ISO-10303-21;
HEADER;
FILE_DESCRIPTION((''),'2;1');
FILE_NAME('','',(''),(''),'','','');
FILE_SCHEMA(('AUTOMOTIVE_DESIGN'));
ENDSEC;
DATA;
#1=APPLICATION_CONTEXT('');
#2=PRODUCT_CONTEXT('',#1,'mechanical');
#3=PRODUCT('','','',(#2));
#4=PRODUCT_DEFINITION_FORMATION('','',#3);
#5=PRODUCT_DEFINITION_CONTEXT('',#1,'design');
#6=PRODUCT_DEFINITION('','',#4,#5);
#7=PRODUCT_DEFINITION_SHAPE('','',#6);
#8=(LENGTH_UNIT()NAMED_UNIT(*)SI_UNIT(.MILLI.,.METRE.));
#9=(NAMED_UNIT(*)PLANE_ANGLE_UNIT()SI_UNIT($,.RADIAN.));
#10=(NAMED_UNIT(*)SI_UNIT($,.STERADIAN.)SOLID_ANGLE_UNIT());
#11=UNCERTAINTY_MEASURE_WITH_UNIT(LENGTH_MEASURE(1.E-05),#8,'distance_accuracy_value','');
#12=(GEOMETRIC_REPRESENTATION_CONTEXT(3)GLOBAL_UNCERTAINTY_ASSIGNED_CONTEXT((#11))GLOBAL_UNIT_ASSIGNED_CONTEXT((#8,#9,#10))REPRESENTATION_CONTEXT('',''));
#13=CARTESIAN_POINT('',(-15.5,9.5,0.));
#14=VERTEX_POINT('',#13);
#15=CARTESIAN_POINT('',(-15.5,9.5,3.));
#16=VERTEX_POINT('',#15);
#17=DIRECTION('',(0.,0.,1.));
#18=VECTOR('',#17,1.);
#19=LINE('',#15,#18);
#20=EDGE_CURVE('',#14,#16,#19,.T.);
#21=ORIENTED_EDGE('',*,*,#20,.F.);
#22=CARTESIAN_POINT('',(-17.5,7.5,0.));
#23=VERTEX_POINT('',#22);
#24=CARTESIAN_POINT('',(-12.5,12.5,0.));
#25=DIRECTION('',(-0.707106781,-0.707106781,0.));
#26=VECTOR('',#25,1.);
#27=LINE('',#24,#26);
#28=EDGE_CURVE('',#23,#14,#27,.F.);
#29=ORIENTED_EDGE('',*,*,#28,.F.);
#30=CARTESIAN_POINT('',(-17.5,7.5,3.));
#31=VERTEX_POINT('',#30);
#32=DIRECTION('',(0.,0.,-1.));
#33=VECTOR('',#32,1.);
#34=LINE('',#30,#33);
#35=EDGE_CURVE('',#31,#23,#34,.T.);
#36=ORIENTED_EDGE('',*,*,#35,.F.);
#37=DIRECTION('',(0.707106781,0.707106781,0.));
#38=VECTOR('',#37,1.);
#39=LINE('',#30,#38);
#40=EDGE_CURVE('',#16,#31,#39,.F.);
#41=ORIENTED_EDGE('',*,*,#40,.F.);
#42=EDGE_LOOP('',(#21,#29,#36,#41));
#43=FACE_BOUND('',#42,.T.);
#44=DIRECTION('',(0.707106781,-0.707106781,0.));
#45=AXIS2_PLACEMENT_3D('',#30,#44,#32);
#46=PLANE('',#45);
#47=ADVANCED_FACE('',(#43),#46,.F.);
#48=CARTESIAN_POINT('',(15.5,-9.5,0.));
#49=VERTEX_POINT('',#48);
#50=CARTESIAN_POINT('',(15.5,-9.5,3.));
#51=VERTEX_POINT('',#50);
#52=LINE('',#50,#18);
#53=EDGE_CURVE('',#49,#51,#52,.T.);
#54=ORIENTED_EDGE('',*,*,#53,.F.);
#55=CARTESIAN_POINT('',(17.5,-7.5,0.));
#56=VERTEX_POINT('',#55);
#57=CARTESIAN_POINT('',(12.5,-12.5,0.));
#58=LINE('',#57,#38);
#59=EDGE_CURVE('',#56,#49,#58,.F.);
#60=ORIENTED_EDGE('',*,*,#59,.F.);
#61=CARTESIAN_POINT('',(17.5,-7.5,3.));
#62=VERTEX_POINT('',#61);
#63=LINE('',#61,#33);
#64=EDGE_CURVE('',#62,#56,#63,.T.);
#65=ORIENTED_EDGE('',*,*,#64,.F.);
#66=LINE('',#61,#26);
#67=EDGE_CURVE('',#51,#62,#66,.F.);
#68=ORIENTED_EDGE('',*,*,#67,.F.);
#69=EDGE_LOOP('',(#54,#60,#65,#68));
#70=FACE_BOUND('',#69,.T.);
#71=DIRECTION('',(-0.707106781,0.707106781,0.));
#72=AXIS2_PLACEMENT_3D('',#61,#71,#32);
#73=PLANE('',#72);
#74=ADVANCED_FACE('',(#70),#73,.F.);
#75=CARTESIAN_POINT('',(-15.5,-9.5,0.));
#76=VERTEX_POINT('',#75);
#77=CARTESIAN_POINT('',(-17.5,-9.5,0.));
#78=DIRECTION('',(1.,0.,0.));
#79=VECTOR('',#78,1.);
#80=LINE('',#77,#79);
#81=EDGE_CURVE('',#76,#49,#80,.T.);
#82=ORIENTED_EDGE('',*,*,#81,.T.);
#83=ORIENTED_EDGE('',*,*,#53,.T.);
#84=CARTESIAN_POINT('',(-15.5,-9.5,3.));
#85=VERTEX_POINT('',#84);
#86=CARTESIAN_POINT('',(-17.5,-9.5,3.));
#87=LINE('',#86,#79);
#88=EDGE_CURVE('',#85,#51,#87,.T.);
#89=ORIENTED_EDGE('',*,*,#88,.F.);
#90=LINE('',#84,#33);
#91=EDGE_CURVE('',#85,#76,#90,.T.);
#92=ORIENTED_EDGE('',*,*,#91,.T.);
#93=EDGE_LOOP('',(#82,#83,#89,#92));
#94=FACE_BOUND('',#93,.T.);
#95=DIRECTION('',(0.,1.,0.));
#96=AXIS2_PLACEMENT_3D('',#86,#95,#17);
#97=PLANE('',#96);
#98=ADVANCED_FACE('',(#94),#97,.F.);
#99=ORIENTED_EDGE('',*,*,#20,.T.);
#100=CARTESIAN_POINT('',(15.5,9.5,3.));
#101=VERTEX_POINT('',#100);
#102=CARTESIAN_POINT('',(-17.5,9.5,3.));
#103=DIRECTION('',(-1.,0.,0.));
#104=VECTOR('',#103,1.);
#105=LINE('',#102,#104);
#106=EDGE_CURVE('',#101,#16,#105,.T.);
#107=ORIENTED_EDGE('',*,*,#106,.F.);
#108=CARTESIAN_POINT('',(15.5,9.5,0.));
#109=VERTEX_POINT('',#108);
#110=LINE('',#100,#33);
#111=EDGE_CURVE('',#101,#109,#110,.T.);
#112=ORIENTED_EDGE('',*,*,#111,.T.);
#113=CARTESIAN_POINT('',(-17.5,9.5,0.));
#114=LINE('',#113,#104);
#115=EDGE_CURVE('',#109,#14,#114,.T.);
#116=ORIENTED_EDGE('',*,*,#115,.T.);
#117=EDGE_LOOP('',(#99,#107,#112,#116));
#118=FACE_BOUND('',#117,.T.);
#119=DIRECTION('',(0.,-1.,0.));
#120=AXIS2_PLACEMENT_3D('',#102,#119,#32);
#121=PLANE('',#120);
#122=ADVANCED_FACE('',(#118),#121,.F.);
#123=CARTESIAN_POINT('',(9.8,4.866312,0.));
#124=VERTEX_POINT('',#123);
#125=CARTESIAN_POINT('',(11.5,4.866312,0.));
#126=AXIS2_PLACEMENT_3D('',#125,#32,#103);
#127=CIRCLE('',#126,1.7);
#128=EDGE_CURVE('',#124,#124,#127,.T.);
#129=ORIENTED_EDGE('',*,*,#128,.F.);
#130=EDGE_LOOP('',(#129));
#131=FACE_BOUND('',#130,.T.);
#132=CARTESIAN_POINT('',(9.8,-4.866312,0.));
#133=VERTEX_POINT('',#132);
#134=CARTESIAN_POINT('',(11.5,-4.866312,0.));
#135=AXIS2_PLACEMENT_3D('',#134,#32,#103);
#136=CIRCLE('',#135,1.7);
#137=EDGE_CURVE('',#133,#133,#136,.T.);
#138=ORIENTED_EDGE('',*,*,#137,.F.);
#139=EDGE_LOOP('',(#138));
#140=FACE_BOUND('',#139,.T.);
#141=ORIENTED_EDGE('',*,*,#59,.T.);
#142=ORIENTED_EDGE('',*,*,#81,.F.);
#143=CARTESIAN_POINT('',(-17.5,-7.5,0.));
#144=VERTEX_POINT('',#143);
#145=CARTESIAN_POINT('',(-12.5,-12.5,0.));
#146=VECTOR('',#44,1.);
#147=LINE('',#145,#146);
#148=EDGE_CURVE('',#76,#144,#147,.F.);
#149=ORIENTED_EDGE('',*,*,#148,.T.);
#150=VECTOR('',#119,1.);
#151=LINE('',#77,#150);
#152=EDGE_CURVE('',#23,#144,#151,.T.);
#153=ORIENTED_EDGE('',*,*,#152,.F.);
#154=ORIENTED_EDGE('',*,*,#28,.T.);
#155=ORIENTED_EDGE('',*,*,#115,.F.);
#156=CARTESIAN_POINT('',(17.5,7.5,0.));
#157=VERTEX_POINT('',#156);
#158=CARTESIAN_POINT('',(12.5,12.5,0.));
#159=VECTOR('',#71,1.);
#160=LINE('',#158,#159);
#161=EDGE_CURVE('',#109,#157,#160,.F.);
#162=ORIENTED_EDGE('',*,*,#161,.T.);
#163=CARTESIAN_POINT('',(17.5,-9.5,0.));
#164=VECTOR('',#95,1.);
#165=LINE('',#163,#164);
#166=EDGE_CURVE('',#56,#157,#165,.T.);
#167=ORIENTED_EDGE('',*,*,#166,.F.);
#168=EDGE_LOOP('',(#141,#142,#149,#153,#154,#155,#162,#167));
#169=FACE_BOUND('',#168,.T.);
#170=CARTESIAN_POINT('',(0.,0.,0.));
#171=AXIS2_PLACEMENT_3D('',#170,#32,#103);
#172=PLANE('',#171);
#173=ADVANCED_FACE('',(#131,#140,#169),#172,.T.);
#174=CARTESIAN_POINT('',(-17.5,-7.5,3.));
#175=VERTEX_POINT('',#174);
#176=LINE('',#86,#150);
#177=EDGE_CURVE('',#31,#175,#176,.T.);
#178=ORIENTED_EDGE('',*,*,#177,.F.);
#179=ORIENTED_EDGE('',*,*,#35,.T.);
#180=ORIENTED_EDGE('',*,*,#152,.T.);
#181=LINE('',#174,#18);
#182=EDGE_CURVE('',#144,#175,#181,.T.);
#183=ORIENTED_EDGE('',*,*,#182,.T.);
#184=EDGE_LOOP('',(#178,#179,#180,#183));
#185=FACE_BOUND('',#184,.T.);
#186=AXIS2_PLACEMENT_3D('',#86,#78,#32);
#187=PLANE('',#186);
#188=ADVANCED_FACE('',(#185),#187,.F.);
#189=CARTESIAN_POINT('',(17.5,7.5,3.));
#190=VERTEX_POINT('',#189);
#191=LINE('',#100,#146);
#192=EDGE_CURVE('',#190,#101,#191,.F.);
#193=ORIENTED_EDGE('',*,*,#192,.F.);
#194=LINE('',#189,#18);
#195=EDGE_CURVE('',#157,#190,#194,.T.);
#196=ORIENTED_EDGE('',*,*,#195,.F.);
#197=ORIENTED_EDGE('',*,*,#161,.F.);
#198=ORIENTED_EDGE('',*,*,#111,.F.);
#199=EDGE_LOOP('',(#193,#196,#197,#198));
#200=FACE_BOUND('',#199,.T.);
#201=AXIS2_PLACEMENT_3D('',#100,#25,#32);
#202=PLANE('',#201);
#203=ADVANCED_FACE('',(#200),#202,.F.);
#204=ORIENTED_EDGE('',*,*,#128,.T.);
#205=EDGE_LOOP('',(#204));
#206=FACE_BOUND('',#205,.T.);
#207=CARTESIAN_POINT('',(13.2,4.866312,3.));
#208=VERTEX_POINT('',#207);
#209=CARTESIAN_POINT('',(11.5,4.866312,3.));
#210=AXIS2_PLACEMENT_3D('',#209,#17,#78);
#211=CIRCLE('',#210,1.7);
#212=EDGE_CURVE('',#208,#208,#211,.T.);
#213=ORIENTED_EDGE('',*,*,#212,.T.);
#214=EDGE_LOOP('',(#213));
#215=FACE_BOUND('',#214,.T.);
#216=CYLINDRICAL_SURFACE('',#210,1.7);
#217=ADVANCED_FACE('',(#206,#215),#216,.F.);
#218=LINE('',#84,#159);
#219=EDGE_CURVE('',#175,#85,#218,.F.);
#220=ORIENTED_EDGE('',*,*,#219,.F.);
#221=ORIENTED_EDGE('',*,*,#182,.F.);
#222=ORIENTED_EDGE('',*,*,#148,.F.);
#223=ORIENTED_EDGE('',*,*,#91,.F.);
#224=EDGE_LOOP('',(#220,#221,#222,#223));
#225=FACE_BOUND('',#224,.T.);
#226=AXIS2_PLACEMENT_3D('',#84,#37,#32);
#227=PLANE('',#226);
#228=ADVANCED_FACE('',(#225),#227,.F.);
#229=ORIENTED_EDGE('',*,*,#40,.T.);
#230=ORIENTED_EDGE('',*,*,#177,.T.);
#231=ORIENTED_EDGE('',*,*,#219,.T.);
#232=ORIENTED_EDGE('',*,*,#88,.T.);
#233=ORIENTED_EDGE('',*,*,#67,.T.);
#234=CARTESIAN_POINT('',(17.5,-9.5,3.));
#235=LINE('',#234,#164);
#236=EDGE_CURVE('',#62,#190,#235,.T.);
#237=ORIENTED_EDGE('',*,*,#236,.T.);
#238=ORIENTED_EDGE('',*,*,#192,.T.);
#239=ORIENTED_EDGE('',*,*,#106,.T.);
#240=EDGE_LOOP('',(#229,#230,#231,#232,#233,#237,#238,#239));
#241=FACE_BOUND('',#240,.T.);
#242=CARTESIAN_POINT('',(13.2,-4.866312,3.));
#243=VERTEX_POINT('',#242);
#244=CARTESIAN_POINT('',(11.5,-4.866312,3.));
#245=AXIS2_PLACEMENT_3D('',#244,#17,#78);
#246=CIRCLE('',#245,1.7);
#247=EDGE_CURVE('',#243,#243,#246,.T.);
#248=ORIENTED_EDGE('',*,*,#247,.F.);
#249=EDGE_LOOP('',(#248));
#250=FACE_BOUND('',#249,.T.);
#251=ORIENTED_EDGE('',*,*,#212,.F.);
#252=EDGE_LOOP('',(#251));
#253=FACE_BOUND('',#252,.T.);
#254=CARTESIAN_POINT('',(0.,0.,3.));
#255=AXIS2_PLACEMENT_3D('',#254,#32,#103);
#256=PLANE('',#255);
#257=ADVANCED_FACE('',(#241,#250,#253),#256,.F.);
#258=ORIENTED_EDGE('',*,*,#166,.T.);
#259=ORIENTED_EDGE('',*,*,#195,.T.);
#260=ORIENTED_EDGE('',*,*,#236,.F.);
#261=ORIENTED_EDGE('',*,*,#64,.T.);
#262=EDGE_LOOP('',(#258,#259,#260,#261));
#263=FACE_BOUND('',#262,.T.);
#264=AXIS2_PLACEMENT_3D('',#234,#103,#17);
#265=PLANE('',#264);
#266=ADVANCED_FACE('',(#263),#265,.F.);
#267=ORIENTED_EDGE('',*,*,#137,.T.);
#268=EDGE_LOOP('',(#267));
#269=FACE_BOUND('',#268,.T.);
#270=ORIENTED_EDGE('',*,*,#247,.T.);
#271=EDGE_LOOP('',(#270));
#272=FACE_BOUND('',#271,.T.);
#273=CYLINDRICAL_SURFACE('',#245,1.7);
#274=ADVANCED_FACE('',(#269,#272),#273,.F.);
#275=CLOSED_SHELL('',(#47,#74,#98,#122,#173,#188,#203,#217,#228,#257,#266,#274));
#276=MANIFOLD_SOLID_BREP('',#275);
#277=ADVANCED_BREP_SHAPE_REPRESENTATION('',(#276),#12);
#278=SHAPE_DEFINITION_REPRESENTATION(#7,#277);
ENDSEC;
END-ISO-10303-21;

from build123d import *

# Parameters (mm, degrees)
SKETCH1_W                = 35
SKETCH1_H                = 19
BOSS_EXTRUDE1_DEPTH      = 3
CHAMFER1_SIZE            = 2
M3_CLEARANCE_HOLE1_D     = 3.4
M3_CLEARANCE_HOLE1_DEPTH = 3


with BuildPart() as part:
    # Sketch1 → Boss-Extrude1 (new body)
    with BuildSketch(Plane.XY):
        Rectangle(SKETCH1_W, SKETCH1_H)
    extrude(amount=BOSS_EXTRUDE1_DEPTH)

    # Chamfer1
    chamfer1_edges = [part.edges().sort_by_distance(p)[0] for p in [
        (17.5, -9.5, 1.5),
        (-17.5, -9.5, 1.5),
        (-17.5, 9.5, 1.5),
        (17.5, 9.5, 1.5),
    ]]
    chamfer(chamfer1_edges, length=CHAMFER1_SIZE)

    # M3 Clearance Hole1
    with Locations(Plane.XY.offset(3)):
        with Locations((11.5, 4.866311679), (11.5, -4.866311679)):
            Hole(M3_CLEARANCE_HOLE1_D / 2, depth=M3_CLEARANCE_HOLE1_DEPTH)


solid = part.part
